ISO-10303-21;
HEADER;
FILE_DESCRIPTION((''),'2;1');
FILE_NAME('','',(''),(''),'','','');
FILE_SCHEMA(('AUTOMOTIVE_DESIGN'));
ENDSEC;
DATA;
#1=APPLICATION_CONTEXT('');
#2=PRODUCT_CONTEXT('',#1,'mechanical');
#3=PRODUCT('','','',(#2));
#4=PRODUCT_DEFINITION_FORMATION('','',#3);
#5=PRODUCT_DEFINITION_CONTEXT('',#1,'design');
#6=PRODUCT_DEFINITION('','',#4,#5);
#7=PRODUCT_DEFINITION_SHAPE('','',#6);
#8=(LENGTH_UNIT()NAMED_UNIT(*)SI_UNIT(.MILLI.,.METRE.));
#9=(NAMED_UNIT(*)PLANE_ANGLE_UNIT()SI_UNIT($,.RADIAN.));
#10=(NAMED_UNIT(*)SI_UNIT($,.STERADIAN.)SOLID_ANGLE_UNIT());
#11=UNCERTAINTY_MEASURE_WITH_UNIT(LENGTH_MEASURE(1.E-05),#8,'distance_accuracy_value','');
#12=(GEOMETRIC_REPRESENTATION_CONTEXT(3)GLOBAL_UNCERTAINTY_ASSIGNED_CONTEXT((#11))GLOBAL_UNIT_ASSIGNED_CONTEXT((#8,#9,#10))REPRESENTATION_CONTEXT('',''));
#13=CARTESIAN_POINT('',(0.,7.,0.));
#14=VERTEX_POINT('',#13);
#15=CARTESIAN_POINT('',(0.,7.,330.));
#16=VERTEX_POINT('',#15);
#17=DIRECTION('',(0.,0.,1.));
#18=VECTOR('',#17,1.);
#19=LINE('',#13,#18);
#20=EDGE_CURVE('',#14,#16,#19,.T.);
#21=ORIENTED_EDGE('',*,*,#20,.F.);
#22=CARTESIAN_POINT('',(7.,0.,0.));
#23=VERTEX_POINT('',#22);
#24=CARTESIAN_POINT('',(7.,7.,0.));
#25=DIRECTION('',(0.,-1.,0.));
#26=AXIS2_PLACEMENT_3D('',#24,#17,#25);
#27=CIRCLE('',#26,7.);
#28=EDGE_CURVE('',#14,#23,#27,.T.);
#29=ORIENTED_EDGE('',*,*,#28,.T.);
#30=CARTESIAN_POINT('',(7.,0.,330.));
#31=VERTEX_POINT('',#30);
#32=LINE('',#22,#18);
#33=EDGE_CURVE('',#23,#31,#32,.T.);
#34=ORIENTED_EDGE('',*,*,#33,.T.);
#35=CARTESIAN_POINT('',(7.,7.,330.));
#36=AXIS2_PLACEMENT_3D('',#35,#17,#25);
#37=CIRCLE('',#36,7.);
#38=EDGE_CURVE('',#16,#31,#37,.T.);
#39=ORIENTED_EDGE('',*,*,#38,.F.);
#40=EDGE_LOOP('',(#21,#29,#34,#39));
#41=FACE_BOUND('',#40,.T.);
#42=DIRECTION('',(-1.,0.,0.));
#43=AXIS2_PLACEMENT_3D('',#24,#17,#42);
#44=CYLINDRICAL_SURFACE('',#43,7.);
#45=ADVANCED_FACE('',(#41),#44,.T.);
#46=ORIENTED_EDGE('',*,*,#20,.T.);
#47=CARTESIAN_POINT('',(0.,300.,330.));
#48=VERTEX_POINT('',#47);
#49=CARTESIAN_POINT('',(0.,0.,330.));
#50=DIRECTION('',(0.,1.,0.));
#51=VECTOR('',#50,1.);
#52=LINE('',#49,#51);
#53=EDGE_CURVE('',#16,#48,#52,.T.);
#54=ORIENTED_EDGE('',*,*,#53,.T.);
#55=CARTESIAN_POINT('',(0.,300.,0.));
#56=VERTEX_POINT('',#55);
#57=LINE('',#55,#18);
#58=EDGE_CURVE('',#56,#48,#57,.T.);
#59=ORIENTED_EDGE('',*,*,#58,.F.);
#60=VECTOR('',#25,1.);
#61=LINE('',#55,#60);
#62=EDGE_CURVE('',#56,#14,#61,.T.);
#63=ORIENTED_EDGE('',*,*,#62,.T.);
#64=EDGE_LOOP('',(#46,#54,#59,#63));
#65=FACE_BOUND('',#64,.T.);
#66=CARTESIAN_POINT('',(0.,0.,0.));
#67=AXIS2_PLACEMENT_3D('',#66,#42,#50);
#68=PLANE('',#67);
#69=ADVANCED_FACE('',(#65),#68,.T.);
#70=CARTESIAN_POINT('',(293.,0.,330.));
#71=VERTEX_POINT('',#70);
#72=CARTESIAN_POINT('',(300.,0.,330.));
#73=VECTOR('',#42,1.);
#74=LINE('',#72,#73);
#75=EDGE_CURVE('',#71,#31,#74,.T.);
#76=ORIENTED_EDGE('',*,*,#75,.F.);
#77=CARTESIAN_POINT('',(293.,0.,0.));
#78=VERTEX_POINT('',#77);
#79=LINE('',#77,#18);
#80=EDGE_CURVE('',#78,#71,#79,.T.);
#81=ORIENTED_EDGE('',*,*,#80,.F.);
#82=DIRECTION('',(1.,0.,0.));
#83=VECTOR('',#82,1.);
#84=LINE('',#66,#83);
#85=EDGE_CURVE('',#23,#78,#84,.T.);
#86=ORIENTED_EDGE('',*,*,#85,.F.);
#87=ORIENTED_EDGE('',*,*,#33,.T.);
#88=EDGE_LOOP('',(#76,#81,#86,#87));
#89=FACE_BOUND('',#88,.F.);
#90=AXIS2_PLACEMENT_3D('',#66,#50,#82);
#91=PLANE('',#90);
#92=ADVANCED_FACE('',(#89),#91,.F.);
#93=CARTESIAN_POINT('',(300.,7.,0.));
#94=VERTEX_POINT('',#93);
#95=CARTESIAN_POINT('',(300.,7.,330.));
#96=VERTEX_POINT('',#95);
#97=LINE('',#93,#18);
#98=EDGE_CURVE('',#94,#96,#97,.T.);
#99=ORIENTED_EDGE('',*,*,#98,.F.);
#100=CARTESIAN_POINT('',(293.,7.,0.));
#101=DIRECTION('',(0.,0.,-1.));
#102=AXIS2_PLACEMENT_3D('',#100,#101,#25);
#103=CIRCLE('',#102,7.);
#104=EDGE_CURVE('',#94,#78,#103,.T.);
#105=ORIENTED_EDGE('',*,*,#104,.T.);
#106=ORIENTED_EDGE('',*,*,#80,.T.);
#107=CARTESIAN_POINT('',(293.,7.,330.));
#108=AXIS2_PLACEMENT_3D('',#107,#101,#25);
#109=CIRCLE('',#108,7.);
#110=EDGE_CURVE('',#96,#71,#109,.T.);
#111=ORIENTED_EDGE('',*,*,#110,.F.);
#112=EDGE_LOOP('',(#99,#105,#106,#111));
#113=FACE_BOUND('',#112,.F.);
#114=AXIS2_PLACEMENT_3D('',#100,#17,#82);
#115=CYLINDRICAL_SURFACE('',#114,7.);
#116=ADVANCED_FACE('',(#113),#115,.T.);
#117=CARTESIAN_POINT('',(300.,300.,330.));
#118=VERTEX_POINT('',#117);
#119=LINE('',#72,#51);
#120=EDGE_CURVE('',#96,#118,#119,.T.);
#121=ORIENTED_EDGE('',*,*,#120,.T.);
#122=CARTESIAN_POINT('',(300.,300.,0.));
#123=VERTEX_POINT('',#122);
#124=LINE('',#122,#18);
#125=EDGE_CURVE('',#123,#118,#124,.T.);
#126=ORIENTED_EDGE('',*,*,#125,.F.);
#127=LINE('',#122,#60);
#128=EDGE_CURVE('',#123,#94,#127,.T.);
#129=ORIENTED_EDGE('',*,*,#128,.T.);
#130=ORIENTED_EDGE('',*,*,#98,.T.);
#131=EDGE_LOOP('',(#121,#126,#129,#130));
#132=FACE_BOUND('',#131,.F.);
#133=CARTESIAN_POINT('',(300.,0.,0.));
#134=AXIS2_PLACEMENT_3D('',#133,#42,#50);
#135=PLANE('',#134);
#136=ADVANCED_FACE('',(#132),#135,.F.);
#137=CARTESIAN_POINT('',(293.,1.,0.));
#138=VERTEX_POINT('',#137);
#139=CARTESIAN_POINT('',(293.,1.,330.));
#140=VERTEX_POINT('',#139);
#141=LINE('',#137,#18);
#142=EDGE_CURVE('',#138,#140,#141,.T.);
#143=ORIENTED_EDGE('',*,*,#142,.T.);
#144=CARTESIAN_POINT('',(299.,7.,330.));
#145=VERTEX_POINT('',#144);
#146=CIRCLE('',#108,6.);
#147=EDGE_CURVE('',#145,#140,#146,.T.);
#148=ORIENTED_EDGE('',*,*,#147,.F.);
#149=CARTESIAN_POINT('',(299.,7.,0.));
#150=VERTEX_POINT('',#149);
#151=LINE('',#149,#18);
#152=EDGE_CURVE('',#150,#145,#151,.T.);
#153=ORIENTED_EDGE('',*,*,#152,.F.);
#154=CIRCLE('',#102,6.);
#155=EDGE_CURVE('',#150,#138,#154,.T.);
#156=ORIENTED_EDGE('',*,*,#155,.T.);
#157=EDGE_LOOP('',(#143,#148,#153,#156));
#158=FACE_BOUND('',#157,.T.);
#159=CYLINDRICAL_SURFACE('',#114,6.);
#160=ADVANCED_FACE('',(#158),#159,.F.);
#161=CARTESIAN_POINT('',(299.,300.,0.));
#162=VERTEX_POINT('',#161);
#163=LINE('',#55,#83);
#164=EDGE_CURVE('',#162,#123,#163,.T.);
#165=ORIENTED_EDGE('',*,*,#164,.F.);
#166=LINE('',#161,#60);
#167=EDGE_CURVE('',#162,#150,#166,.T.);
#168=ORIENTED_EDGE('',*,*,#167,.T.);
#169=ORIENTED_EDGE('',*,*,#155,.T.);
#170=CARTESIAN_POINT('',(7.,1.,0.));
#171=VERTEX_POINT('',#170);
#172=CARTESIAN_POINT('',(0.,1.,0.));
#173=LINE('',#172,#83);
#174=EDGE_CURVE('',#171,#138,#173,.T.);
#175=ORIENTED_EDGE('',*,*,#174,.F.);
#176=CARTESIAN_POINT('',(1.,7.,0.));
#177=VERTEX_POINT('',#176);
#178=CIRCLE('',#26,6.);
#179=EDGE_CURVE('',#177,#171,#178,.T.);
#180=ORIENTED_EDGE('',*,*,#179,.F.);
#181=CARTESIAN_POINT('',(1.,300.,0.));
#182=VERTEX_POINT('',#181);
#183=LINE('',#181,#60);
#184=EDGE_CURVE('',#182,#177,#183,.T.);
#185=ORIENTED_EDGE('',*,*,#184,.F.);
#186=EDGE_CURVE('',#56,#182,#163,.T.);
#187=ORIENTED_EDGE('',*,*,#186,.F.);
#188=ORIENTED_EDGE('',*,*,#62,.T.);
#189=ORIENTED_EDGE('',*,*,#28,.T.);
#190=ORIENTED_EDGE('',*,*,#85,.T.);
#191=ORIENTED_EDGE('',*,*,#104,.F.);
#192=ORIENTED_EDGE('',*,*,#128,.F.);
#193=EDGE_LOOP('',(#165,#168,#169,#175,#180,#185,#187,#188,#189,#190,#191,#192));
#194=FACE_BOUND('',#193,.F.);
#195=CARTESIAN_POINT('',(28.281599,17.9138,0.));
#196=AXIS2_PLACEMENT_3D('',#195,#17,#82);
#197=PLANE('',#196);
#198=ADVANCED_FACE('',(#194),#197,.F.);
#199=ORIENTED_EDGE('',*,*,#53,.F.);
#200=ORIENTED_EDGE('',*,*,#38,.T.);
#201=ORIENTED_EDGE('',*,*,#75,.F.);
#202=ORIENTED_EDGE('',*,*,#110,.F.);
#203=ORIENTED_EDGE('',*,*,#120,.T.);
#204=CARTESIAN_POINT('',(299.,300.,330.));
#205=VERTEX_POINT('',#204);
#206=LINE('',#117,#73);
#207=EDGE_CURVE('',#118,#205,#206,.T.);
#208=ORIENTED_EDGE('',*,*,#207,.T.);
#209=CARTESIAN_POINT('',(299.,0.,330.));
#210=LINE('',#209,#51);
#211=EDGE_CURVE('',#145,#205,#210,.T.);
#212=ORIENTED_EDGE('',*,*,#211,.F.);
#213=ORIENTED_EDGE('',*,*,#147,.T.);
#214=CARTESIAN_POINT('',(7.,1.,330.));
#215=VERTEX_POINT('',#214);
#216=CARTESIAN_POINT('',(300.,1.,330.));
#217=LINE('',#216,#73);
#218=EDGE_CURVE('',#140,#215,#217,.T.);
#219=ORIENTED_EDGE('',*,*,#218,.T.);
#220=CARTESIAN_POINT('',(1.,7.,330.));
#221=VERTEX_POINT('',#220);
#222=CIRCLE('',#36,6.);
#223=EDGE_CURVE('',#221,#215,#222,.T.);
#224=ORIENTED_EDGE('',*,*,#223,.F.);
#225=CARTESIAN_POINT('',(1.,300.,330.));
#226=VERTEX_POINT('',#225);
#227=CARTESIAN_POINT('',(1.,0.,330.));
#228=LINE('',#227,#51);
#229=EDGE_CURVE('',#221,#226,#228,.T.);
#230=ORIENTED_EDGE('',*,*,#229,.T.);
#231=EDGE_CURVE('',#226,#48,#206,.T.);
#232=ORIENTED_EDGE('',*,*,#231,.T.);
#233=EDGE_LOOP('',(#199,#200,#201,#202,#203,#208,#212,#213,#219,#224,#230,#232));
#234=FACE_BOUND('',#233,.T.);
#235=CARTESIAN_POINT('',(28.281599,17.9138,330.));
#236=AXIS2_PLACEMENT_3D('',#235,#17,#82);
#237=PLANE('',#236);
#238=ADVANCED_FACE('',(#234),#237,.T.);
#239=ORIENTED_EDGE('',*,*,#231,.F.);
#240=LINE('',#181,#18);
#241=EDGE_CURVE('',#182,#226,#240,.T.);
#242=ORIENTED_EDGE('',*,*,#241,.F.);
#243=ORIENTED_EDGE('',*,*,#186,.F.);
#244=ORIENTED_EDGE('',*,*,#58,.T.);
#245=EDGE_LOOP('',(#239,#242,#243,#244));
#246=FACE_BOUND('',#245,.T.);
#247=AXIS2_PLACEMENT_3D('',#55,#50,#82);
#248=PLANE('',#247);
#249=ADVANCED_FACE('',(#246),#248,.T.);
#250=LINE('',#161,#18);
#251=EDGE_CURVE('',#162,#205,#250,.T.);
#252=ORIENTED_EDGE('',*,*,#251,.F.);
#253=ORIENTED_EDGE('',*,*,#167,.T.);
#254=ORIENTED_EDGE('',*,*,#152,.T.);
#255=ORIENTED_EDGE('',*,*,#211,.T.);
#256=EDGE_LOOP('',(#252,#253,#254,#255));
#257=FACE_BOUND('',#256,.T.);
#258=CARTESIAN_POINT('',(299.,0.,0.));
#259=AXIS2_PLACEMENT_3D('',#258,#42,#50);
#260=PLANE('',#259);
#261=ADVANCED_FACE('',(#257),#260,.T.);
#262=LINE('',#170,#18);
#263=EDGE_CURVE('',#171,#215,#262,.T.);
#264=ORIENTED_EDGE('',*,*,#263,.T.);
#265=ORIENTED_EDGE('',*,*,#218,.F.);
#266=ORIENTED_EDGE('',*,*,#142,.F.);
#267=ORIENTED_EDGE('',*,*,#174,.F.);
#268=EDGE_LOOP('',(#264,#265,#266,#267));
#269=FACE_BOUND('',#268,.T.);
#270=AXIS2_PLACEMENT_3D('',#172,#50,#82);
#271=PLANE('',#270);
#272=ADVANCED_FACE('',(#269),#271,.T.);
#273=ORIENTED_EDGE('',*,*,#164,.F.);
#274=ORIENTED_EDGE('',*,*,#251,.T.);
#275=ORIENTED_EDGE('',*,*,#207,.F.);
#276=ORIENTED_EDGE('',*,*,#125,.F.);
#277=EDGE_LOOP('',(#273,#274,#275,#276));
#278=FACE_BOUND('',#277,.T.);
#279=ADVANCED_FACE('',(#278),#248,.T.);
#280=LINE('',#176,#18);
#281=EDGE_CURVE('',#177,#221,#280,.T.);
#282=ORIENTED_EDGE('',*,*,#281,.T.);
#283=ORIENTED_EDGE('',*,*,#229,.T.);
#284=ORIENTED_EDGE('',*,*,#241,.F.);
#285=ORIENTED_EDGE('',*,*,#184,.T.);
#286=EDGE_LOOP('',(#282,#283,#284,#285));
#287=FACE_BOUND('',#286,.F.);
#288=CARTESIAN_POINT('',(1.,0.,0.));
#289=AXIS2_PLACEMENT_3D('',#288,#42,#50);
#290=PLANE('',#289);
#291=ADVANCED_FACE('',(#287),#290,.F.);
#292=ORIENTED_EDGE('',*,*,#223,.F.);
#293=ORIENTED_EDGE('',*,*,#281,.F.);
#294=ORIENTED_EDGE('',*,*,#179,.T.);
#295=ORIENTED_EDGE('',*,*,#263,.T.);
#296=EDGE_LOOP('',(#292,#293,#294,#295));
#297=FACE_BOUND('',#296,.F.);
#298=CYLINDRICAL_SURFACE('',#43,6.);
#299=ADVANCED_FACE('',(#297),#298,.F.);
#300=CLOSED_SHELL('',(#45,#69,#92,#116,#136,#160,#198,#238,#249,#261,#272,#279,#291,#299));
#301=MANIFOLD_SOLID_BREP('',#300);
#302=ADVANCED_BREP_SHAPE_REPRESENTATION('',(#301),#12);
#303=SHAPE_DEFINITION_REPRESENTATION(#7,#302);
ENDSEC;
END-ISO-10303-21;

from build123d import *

# Parameters (mm, degrees)
F0_W     = 56.5631985664
F0_H     = 35.8275994658
F1_DEPTH = 330
F2_DEPTH = 300
F3_DEPTH = 300
F4_R     = 7
F5_T     = -1


with BuildPart() as f1:
    # F0 (on Top) → F1 (new body)
    with BuildSketch(Plane.XY):
        with Locations((28.2815992832, 17.9137997329)):
            Rectangle(F0_W, F0_H)
    extrude(amount=F1_DEPTH)

    # F2 (add): a face of the model
    f2_faces = [f1.faces().sort_by_distance(p)[0] for p in [
        (0, 17.9137997329, 165),
    ]]
    extrude(f2_faces, amount=-F2_DEPTH)

    # F3 (add): a face of the model
    f3_faces = [f1.faces().sort_by_distance(p)[0] for p in [
        (150, 0, 165),
    ]]
    extrude(f3_faces, amount=-F3_DEPTH)

    # F4
    f4_edges = [f1.edges().sort_by_distance(p)[0] for p in [
        (0, 0, 165),
        (300, 0, 165),
    ]]
    fillet(f4_edges, radius=F4_R)

    # F5
    f5_openings = [f1.faces().sort_by_distance(p)[0] for p in [
        (150, 150.034694, 330),
        (150, 300, 165),
        (150, 150.034694, 0),
    ]]
    offset(amount=F5_T, openings=f5_openings)


solid = f1.part
